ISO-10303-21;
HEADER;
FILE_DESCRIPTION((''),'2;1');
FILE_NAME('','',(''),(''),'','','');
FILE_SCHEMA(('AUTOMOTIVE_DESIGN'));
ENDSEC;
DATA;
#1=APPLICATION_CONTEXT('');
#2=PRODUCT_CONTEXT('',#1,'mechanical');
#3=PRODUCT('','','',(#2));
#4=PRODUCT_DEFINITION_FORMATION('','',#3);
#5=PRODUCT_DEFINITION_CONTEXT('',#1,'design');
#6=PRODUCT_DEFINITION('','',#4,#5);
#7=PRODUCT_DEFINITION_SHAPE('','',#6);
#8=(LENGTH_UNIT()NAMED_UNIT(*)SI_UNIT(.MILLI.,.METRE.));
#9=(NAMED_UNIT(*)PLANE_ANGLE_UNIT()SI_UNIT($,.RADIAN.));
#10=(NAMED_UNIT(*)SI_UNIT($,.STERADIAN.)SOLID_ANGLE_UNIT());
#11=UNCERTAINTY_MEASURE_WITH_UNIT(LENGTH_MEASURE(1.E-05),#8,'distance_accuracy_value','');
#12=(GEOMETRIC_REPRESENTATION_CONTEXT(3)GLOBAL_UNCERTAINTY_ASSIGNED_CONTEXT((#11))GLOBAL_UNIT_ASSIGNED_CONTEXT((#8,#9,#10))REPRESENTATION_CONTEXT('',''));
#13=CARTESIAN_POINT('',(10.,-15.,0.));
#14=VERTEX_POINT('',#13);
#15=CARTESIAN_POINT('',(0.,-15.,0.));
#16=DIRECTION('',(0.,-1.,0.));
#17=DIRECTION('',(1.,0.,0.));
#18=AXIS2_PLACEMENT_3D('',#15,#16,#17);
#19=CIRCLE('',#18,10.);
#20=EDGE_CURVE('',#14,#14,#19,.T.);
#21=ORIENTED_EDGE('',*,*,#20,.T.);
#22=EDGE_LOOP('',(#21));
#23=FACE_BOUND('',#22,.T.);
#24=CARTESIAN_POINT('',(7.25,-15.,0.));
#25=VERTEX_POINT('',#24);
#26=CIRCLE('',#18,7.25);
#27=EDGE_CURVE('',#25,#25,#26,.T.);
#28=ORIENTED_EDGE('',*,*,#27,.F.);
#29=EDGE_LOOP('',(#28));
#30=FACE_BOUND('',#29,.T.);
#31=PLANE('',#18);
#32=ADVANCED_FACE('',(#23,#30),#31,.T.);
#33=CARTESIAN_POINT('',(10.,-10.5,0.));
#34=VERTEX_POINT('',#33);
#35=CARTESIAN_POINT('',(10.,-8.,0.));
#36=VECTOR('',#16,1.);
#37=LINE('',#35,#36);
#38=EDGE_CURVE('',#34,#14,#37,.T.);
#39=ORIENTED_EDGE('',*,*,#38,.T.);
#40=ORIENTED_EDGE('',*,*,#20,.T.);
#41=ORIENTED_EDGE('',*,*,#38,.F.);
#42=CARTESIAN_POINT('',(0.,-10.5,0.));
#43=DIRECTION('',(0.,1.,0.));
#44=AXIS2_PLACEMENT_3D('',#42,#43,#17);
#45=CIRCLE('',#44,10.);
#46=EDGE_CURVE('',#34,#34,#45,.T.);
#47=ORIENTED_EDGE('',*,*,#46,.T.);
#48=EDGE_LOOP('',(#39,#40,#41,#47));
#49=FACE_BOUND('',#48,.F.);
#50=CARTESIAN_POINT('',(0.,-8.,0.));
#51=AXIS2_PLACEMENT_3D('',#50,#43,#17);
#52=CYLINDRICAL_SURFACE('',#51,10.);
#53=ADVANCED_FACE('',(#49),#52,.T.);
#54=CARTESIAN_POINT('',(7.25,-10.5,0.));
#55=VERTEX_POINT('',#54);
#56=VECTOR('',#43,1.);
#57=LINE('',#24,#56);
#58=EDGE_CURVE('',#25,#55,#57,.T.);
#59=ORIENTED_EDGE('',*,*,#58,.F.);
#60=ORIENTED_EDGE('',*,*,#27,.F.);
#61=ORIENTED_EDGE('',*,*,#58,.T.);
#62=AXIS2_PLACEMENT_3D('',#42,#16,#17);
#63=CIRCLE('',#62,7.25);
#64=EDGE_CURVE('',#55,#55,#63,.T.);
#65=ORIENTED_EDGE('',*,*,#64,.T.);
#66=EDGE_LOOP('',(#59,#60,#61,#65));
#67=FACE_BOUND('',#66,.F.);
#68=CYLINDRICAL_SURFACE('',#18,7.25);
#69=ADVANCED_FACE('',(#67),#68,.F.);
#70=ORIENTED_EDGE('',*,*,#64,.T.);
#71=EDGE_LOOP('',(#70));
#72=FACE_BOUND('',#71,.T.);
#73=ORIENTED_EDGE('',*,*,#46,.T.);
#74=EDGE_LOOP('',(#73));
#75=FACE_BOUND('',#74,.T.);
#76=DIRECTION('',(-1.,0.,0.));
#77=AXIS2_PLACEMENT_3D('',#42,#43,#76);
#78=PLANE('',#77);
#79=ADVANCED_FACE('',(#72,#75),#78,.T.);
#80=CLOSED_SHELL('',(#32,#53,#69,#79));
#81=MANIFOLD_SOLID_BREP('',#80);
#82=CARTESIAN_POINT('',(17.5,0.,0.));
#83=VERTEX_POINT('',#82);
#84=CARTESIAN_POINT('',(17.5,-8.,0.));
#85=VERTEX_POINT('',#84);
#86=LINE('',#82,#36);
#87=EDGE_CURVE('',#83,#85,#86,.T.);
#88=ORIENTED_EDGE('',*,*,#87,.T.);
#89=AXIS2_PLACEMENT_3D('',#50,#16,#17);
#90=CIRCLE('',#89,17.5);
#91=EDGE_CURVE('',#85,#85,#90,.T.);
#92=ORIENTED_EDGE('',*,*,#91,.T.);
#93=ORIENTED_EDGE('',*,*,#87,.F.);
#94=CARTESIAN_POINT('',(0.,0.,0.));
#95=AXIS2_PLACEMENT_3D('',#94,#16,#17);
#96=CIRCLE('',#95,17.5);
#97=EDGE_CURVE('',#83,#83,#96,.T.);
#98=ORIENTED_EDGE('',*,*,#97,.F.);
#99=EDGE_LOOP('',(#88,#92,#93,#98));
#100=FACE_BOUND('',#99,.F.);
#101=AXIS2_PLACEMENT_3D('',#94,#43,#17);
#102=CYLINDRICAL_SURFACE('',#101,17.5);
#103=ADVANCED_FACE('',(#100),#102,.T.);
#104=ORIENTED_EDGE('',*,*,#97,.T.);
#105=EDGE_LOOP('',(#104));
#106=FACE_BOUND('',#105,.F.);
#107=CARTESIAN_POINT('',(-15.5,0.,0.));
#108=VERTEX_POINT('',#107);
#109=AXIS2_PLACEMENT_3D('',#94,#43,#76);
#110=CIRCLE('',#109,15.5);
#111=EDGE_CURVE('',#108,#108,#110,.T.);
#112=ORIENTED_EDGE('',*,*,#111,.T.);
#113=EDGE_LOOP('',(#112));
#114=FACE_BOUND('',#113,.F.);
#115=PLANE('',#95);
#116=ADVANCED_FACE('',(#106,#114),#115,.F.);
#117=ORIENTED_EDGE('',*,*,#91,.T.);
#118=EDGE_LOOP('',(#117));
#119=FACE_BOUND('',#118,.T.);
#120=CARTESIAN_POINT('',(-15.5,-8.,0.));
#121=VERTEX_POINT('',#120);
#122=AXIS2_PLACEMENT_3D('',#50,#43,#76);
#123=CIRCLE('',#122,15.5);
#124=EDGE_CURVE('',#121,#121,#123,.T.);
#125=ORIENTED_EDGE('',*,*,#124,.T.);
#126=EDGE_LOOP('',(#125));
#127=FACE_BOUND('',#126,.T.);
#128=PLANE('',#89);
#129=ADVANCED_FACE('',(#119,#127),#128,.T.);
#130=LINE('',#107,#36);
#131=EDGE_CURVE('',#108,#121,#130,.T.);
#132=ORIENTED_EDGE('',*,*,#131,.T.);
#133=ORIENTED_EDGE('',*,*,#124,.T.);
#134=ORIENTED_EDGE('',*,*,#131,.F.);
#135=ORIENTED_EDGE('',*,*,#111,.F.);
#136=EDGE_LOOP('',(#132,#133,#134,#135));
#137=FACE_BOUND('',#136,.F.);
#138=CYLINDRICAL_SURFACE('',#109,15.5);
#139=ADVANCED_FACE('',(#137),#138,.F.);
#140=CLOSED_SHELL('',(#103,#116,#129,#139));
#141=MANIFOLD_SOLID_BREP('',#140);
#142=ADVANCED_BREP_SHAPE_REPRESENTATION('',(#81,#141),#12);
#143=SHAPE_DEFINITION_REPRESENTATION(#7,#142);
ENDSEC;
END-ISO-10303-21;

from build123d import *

# Parameters (mm, degrees)
F0_R     = 17.5
F1_DEPTH = 8
F2_R     = 10
F3_DEPTH = 7
F4_R     = 7.25
F5_DEPTH = 25
F6_R     = 15.5
F7_DEPTH = 10.5


with BuildPart() as f1:
    # F0 (on Front) → F1 (new body)
    with BuildSketch(Plane.XZ):
        Circle(F0_R)
    extrude(amount=F1_DEPTH)

    # F2 (on face) → F3 (join)
    with BuildSketch(Plane.XZ.offset(8)):
        Circle(F2_R)
    extrude(amount=F3_DEPTH)

    # F4 (on face) → F5 (cut)
    with BuildSketch(Plane.XZ.offset(15)):
        Circle(F4_R)
    extrude(amount=-F5_DEPTH, mode=Mode.SUBTRACT)

    # F6 (on face) → F7 (cut)
    with BuildSketch(Plane(origin=(0, 0, 0), x_dir=(-1, 0, 0), z_dir=(0, 1, 0))):
        Circle(F6_R)
    extrude(amount=-F7_DEPTH, mode=Mode.SUBTRACT)


solid = f1.part
